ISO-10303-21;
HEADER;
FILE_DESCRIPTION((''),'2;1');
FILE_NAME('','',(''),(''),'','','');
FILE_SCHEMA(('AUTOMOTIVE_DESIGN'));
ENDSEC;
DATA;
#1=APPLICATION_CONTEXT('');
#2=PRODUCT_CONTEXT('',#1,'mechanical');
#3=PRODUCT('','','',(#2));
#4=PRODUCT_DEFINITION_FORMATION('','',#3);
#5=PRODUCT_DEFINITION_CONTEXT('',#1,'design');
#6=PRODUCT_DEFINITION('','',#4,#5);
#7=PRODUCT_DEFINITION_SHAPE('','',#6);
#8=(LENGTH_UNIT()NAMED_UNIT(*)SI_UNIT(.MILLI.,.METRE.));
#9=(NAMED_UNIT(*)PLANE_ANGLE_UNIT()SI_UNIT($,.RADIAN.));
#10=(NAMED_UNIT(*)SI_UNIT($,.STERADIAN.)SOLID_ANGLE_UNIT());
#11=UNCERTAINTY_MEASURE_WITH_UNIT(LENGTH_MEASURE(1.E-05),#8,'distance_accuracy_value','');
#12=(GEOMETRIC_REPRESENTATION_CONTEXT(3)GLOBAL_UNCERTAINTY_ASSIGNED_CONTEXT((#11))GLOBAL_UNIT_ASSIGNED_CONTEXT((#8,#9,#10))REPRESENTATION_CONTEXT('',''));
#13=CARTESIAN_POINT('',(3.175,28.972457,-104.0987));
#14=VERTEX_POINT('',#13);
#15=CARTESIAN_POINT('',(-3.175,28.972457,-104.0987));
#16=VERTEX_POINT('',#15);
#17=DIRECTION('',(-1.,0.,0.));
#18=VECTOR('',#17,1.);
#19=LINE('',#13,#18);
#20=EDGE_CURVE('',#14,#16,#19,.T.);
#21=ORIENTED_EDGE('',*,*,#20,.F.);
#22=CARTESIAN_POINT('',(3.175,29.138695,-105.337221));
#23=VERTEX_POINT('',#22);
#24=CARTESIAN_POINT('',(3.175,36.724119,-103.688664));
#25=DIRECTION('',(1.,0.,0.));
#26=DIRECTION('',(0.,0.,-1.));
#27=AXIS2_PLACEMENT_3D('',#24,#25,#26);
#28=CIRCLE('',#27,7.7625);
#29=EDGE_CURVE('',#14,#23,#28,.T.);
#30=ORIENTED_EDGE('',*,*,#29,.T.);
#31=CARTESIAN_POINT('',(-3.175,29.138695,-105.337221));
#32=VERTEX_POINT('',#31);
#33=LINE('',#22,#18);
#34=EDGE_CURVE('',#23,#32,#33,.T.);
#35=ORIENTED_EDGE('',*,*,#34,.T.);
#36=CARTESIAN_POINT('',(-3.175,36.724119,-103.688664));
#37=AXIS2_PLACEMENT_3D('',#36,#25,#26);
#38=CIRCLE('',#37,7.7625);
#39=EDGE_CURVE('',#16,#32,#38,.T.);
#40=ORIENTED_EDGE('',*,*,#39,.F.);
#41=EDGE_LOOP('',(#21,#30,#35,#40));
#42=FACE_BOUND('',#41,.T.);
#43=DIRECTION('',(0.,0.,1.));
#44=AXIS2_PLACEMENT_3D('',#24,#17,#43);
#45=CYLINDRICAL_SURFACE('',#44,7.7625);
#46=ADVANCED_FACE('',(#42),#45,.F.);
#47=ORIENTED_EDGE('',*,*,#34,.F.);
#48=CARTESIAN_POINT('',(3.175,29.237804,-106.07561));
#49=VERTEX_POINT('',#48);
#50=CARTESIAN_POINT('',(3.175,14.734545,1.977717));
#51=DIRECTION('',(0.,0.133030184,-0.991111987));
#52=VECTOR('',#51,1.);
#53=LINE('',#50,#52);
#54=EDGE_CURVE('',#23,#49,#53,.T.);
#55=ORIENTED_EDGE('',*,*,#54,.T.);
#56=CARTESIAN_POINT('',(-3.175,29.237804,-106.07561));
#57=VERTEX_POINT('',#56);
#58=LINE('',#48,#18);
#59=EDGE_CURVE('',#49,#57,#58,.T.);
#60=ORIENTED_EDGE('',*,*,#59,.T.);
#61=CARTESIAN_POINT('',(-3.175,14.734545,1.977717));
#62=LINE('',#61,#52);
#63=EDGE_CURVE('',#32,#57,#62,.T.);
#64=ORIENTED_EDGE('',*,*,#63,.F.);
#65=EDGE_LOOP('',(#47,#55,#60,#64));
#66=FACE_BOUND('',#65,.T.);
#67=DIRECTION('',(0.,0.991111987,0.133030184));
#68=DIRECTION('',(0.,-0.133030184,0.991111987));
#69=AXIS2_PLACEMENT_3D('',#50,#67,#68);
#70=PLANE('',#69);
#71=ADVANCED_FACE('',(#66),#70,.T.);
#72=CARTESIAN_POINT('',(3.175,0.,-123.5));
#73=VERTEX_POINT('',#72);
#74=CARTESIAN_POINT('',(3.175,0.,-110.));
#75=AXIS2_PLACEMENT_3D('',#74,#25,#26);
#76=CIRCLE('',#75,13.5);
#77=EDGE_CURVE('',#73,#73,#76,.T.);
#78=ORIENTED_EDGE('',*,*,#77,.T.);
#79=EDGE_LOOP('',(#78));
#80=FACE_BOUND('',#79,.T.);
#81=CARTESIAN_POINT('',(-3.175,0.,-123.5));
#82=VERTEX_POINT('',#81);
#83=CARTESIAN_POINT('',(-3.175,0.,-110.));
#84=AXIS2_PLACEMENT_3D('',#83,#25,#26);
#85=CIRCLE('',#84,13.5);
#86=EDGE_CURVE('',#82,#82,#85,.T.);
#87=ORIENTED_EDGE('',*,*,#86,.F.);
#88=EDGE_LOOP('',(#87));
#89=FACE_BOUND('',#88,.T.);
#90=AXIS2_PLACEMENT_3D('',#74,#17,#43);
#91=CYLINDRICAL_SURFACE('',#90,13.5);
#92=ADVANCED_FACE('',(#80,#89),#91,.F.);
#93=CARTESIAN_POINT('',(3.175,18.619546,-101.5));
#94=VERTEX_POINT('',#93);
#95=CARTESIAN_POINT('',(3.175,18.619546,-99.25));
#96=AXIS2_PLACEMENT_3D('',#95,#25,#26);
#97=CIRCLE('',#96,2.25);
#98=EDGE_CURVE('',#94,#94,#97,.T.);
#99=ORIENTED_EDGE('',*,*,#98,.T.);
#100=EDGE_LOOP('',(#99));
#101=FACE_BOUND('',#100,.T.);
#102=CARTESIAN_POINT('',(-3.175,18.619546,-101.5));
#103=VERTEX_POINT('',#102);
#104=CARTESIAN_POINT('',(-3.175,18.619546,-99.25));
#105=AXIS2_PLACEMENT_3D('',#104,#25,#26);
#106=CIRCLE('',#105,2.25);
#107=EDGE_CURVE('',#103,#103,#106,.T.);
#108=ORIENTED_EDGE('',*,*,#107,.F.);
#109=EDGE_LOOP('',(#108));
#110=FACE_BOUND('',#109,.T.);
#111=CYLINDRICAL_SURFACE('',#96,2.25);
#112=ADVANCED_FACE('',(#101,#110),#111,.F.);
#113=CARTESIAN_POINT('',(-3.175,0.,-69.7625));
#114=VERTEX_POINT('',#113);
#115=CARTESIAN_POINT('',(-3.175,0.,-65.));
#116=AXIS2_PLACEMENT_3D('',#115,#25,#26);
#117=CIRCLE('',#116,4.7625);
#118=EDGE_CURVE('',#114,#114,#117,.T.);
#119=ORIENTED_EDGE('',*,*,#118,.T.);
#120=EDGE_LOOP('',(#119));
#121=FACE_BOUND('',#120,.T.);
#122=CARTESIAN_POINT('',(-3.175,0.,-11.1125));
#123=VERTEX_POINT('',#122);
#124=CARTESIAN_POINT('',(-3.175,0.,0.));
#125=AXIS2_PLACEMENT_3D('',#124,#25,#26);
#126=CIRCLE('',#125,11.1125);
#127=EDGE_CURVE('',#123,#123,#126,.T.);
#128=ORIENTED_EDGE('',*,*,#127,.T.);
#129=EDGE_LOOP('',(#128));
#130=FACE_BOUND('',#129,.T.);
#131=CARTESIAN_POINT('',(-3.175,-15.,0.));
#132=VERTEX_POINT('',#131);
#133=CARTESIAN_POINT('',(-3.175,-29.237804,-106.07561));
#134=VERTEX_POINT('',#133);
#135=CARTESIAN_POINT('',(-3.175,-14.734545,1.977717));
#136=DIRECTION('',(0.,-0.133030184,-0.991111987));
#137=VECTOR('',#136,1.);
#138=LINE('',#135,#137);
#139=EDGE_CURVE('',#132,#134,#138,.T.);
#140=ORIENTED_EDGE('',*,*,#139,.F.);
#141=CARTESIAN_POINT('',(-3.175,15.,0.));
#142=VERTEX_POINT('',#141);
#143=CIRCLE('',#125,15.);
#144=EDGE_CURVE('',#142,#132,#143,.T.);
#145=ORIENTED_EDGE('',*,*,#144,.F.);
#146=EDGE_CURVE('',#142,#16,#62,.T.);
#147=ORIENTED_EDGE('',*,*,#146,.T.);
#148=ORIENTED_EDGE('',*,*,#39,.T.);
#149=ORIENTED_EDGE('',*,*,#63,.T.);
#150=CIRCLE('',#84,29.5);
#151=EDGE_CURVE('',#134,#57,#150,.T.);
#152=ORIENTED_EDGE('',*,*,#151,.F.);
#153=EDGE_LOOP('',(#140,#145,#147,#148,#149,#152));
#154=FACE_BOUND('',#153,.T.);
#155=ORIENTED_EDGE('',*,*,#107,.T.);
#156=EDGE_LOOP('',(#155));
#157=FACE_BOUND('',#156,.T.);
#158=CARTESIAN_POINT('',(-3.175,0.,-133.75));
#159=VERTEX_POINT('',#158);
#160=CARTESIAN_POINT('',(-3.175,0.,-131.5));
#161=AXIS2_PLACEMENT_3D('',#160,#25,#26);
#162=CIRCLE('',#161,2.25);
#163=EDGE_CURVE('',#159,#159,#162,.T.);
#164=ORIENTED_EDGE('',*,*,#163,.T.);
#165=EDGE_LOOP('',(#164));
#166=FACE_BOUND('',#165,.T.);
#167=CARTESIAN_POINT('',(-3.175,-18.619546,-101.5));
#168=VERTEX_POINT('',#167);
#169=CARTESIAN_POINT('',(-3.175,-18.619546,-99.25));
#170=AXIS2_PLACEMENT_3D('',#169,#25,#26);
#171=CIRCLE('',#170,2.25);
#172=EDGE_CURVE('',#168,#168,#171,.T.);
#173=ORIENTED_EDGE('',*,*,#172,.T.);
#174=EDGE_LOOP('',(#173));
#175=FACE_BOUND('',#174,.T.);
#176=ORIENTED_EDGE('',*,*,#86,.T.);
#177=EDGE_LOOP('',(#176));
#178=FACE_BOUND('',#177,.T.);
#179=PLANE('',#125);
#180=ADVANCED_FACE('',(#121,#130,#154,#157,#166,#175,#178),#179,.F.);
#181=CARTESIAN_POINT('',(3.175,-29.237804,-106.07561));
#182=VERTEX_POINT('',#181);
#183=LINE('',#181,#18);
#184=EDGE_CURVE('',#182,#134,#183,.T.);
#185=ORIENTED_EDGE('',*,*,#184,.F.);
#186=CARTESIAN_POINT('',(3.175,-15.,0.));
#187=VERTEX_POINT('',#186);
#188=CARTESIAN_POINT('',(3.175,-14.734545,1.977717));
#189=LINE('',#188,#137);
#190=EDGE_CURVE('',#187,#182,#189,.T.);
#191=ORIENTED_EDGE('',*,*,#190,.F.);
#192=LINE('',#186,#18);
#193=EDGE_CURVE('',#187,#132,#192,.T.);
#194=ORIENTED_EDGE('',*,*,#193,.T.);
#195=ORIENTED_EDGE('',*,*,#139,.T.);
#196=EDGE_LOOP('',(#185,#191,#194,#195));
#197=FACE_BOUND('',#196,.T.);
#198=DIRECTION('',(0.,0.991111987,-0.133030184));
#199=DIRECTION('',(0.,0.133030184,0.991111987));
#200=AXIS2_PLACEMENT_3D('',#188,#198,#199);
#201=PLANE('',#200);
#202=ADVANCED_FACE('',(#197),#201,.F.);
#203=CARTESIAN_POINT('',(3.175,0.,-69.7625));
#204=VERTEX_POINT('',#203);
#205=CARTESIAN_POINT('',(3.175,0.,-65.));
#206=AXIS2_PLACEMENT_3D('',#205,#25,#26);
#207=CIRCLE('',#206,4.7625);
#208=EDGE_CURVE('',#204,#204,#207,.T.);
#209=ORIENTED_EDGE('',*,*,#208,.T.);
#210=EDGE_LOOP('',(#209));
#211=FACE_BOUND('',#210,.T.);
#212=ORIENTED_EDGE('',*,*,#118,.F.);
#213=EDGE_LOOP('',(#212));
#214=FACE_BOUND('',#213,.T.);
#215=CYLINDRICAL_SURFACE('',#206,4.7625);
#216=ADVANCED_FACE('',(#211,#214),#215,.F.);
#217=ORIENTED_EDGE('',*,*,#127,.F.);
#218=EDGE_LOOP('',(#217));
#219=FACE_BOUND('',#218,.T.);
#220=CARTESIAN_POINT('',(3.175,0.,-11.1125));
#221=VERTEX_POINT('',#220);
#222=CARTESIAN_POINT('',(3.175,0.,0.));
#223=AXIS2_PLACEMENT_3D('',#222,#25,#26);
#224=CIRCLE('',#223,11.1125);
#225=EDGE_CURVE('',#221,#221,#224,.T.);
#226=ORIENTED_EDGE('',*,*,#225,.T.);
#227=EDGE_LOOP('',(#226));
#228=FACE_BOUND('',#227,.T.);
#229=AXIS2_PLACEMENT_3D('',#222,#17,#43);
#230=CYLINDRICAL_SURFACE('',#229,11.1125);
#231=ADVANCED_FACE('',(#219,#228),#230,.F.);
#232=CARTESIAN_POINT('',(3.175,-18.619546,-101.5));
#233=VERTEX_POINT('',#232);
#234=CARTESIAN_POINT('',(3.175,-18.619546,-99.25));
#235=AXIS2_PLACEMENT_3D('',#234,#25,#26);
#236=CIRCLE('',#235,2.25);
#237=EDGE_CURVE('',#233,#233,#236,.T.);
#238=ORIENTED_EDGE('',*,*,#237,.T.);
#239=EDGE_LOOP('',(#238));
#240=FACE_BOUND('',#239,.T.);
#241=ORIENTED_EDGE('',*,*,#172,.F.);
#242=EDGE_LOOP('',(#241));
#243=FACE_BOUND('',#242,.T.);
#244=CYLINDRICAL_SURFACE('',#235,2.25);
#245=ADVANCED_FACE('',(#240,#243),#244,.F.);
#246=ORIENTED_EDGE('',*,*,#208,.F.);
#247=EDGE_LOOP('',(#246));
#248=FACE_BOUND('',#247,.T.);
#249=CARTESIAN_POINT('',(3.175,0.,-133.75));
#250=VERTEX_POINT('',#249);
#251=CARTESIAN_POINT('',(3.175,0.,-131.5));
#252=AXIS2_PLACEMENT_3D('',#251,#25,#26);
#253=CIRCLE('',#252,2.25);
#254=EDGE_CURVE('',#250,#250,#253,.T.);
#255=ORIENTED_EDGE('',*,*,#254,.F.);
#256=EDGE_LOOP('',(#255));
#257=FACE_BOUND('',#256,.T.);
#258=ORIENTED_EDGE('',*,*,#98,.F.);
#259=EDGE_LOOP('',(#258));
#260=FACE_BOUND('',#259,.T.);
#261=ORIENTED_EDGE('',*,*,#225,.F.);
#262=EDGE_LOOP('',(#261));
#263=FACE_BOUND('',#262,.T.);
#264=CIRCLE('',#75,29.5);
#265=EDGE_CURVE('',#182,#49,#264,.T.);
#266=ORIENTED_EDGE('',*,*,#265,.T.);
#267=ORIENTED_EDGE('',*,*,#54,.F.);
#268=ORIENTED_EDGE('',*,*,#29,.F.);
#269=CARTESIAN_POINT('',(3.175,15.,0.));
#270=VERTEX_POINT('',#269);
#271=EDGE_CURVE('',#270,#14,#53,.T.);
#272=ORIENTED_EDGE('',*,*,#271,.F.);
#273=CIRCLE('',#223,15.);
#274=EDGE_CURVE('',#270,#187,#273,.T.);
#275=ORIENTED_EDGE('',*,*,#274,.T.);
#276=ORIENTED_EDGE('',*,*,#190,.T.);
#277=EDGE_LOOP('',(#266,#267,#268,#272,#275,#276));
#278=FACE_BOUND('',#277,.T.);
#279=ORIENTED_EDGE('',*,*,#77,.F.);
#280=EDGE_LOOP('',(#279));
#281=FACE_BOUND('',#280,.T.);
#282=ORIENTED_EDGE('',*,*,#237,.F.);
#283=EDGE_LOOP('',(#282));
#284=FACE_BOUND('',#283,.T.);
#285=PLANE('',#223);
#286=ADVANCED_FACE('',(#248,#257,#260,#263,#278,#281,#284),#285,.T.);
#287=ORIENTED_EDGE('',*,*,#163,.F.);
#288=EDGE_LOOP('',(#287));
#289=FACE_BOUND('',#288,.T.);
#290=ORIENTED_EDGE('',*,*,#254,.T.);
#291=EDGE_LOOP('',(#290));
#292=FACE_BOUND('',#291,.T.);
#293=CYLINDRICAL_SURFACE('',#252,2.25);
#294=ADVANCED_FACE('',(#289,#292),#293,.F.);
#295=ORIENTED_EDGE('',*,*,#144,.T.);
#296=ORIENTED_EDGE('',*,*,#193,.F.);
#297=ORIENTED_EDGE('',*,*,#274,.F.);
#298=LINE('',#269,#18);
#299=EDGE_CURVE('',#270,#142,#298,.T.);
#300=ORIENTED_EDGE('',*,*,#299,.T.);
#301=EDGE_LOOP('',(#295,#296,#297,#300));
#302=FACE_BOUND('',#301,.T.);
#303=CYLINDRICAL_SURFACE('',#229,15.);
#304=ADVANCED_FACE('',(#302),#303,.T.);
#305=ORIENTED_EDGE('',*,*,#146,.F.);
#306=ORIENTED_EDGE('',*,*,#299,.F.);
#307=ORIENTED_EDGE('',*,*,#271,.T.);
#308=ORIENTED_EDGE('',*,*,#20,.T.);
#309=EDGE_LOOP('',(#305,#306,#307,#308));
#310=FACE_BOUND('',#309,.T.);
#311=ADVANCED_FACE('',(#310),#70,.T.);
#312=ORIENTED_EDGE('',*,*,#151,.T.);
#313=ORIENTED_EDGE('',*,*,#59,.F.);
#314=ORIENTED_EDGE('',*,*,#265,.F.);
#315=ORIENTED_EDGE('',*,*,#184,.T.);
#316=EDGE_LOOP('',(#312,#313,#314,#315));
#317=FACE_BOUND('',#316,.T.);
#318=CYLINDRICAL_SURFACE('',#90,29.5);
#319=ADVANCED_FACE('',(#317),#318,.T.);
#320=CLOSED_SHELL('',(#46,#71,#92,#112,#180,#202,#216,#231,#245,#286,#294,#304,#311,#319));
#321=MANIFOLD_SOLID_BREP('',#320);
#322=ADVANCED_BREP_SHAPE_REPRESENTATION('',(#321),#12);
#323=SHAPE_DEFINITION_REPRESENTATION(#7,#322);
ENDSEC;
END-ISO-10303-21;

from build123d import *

# Parameters (mm, degrees)
SKETCH1_R                  = 11.1125
SKETCH1_R_2                = 13.5
BOSS_EXTRUDE1_DEPTH        = 3.175
M4_CLEARANCE_HOLE1_D       = 4.5
F_3_8_0_3750_DOWEL_HOLE1_D = 9.525


with BuildPart() as part:
    # Sketch1 → Boss-Extrude1 (new, symmetric)
    with BuildSketch(Plane(origin=(0, 0, 0), x_dir=(0, 0, -1), z_dir=(1, 0, 0))):
        with BuildLine():
            Line((104.098699929, 28.972456546), (0, 15))
            ThreePointArc((0, 15), (-2.052648501, 14.858890744), (-4.066677309, 14.438217884))
            ThreePointArc((-4.066677309, 14.438217884), (-14.858890744, -2.052648501), (0, -15))
            Line((0, -15), (106.075609583, -29.237803609))
            ThreePointArc((106.075609583, -29.237803609), (136.491140548, -12.979579055), (130.699290202, 21.018786481))
            ThreePointArc((130.699290202, 21.018786481), (119.340095093, 27.982362725), (106.075609583, 29.237803609))
            Line((106.075609583, 29.237803609), (105.337220563, 29.1386947))
            ThreePointArc((105.337220563, 29.1386947), (104.721310863, 29.030612592), (104.098699929, 28.972456546))
        make_face()
        Circle(SKETCH1_R, mode=Mode.SUBTRACT)
        with Locations((110, 0)):
            Circle(SKETCH1_R_2, mode=Mode.SUBTRACT)
    extrude(amount=BOSS_EXTRUDE1_DEPTH, both=True)

    # M4 Clearance Hole1 (through all)
    with Locations(Plane(origin=(3.175, 0, 0), x_dir=(0, 0, -1), z_dir=(1, 0, 0))):
        with Locations((99.25, 18.619546181), (131.5, 0), (99.25, -18.619546181)):
            Hole(M4_CLEARANCE_HOLE1_D / 2)

    # 3/8 (0.3750) Dowel Hole1 (through all)
    with Locations(Plane(origin=(3.175, 0, 0), x_dir=(0, 0, -1), z_dir=(1, 0, 0))):
        with Locations((65, 0)):
            Hole(F_3_8_0_3750_DOWEL_HOLE1_D / 2)


solid = part.part
